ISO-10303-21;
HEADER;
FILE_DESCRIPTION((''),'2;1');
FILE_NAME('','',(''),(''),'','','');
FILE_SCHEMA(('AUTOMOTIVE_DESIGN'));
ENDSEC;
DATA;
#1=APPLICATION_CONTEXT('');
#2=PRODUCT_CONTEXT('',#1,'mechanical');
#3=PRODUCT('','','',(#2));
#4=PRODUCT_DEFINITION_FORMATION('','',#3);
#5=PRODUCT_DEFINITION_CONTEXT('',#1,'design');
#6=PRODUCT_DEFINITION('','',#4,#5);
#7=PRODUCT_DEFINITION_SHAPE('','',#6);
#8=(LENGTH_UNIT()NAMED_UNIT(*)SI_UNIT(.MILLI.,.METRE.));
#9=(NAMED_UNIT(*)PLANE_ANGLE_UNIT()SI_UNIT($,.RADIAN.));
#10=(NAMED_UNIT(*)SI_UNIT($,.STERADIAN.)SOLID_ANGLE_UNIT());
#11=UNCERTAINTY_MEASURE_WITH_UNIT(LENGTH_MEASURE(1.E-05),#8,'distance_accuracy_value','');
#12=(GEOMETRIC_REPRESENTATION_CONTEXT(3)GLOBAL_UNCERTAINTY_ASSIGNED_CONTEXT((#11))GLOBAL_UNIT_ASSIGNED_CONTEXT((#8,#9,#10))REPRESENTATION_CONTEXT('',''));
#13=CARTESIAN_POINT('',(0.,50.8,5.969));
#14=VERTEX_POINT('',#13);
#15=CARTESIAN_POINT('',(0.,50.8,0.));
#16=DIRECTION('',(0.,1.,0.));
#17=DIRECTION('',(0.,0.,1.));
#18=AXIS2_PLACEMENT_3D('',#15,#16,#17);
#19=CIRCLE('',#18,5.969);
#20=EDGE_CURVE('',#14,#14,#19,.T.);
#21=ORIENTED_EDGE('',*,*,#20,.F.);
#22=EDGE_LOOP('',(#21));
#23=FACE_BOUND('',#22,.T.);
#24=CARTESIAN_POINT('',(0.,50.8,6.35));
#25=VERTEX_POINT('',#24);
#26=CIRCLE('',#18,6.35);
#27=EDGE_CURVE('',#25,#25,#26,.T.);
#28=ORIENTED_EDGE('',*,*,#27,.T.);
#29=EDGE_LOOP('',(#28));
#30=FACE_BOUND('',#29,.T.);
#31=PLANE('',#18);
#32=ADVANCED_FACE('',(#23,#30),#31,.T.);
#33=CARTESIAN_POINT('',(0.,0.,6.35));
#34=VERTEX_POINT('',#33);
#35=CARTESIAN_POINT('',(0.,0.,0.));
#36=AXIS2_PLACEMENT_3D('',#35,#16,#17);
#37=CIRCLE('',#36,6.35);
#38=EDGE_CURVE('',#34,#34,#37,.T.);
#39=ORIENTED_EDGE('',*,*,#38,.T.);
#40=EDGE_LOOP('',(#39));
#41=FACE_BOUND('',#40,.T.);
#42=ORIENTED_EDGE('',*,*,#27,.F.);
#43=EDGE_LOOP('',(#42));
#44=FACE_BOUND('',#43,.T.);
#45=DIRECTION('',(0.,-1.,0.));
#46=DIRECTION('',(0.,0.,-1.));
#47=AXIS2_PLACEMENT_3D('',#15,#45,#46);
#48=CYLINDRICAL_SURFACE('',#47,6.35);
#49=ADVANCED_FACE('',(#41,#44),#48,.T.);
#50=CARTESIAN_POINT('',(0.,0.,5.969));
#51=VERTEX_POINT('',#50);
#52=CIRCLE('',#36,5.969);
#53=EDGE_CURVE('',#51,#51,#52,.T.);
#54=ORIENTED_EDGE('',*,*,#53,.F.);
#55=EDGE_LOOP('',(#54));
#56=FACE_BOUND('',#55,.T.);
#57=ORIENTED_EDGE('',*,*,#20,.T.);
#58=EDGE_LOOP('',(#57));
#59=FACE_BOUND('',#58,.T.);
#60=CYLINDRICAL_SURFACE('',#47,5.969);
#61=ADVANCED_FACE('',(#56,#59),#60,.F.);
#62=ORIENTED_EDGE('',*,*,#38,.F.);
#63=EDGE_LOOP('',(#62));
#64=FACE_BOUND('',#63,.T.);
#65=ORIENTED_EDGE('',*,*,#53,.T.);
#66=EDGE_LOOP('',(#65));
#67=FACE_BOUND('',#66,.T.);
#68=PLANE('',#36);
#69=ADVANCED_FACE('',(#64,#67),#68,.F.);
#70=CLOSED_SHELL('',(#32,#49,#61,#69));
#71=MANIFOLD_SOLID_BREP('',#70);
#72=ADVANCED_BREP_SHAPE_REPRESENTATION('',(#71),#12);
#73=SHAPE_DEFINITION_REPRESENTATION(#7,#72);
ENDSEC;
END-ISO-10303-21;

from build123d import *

# Parameters (mm, degrees)
SKETCH1_R           = 6.35
SKETCH1_R_2         = 5.969
BOSS_EXTRUDE1_DEPTH = 50.8


with BuildPart() as part:
    # Sketch1 → Boss-Extrude1 (new body)
    with BuildSketch(Plane(origin=(0, 0, 0), x_dir=(1, 0, 0), z_dir=(0, 1, 0))):
        Circle(SKETCH1_R)
        Circle(SKETCH1_R_2, mode=Mode.SUBTRACT)
    extrude(amount=BOSS_EXTRUDE1_DEPTH)


solid = part.part
